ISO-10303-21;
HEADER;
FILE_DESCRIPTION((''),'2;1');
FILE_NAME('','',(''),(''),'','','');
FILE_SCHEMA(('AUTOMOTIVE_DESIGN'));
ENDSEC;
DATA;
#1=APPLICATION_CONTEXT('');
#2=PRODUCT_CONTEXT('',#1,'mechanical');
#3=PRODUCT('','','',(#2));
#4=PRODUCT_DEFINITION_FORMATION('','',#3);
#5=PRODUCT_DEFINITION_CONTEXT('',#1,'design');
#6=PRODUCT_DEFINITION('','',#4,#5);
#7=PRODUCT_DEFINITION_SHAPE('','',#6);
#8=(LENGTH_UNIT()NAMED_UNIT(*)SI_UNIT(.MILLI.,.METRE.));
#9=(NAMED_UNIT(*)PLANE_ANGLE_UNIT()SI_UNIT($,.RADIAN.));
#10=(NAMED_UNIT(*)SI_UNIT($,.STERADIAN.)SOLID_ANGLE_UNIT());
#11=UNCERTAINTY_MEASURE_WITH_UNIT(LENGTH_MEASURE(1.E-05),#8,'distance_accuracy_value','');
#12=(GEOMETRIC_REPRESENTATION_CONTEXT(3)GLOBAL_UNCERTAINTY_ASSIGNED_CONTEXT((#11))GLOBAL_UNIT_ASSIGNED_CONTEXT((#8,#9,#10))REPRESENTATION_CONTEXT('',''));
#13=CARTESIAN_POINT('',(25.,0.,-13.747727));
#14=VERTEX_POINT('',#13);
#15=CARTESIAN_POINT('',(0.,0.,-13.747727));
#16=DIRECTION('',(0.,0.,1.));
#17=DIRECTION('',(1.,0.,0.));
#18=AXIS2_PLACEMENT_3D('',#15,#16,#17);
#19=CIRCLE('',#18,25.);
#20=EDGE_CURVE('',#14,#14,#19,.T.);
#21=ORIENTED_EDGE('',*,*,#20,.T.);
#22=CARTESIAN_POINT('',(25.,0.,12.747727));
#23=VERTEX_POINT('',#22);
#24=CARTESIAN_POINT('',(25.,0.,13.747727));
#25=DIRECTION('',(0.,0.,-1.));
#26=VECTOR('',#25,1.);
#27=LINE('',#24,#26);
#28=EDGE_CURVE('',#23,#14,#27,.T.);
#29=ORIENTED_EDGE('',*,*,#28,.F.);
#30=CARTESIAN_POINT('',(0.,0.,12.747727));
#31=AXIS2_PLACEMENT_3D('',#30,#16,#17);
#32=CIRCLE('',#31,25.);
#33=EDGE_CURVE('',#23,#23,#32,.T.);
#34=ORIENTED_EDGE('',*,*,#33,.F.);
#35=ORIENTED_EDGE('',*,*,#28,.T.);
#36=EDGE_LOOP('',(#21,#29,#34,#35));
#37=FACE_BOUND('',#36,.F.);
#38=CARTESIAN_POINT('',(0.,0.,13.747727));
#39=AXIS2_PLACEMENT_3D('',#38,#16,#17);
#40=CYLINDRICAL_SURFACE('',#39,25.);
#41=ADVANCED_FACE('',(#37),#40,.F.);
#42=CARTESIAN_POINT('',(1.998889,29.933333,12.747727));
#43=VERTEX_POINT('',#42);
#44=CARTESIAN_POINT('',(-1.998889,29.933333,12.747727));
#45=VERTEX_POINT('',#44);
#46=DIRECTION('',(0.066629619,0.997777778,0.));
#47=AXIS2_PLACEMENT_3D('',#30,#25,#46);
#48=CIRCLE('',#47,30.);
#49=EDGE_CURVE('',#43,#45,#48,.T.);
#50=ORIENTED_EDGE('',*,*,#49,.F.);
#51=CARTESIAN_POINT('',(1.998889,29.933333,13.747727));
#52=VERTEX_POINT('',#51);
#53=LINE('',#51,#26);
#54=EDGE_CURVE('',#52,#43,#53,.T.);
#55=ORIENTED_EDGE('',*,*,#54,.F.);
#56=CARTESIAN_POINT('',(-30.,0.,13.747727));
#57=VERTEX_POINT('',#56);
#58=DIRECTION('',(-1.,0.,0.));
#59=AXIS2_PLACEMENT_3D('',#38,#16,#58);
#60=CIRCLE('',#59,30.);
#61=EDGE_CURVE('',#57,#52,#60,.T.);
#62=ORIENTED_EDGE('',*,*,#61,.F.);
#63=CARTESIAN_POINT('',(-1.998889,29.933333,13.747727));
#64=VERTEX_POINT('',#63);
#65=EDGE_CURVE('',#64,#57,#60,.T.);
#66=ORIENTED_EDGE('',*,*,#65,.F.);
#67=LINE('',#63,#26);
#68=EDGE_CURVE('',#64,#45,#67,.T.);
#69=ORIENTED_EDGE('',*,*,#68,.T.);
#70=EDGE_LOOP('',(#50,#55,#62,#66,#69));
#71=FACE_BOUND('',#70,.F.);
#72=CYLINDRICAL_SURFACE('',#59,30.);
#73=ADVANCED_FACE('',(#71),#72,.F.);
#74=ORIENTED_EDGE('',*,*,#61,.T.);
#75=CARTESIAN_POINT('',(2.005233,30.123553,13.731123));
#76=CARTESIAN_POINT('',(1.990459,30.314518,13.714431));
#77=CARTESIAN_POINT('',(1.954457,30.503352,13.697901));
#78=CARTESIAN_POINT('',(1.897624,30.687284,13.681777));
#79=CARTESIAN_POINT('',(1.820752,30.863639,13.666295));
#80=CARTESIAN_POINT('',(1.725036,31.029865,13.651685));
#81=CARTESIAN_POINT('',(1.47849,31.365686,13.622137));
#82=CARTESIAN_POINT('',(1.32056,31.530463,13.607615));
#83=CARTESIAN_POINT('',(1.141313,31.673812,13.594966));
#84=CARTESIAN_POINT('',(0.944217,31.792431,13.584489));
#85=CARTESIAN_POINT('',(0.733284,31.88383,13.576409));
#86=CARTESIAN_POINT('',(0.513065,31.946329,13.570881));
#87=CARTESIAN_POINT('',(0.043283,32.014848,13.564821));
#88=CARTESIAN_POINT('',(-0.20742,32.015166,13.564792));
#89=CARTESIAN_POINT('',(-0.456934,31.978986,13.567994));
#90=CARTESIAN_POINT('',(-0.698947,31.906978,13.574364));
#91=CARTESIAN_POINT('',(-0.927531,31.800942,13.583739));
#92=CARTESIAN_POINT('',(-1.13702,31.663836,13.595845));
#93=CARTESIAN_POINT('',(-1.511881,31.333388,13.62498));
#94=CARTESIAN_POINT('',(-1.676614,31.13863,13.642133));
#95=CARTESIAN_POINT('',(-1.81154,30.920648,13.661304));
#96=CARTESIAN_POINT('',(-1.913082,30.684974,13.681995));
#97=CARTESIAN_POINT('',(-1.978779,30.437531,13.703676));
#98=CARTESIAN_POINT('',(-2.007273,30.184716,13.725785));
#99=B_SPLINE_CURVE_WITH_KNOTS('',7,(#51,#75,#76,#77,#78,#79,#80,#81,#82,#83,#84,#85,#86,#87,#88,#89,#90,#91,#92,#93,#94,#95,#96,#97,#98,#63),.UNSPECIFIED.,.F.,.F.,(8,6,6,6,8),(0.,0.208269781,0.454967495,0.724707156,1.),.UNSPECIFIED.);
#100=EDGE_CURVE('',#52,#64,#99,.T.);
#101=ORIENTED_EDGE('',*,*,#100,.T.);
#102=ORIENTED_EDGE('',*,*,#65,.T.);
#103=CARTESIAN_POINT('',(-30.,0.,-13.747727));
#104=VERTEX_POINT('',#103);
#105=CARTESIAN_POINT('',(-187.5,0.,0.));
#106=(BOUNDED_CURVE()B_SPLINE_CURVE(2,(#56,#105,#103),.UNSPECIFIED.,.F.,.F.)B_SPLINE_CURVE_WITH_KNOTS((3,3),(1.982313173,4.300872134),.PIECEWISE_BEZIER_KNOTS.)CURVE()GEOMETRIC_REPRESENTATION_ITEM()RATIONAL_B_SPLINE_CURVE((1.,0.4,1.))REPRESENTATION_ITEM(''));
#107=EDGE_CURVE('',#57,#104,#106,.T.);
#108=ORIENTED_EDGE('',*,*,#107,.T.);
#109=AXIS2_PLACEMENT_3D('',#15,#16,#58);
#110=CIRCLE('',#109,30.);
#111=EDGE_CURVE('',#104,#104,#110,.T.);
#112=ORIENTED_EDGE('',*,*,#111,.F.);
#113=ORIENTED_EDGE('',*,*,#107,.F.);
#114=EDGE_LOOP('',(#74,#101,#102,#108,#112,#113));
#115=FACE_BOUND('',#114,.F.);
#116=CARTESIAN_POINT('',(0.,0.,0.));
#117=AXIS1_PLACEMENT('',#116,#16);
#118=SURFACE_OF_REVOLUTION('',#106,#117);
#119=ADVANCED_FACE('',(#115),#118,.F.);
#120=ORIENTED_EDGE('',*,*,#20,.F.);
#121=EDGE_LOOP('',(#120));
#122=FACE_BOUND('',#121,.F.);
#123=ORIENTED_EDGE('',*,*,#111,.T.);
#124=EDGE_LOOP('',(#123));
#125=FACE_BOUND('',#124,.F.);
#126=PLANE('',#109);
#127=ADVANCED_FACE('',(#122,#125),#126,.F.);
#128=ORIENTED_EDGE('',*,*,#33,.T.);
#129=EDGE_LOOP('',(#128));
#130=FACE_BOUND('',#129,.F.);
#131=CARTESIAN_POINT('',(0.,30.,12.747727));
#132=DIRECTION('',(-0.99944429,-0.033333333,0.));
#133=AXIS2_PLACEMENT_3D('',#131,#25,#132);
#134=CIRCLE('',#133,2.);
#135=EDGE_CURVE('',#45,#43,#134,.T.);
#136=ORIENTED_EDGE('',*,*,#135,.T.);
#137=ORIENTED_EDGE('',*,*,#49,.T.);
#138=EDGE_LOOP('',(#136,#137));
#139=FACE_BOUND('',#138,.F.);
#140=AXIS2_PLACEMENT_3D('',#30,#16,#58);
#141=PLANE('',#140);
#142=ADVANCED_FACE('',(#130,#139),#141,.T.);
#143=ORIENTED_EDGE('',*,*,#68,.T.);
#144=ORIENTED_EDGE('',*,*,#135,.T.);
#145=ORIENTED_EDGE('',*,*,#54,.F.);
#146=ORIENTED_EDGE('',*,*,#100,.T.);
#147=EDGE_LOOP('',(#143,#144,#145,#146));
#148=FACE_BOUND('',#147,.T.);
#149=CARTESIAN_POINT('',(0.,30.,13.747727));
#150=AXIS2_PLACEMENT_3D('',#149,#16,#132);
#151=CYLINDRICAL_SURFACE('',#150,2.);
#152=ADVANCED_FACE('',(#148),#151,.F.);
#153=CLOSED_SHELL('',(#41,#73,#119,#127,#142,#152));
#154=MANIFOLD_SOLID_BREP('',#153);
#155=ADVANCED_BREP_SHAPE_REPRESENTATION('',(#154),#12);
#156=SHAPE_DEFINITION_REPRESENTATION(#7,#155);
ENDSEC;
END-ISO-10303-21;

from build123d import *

# Parameters (mm, degrees)
F2_R     = 25
F4_DEPTH = 27.4954541697
F5_DEPTH = 1
F7_DEPTH = 1


with BuildPart() as f1:
    # F0 (on Front) → F1 (revolve)
    with BuildSketch(Plane.XZ):
        with BuildLine():
            Line((0, 13.7477270849), (-30, 13.7477270849))
            add(Edge.make_bspline(
                [(-30, 13.7477270849), (-187.5, 0), (-30, -13.7477270849)],
                knots=[1.9823131729, 1.9823131729, 1.9823131729, 4.3008721343, 4.3008721343, 4.3008721343], degree=2, weights=[1, 0.4, 1]))
            Line((-30, -13.7477270849), (0, -13.7477270849))
            Line((0, -13.7477270849), (0, 13.7477270849))
        make_face()
    revolve(axis=Axis((0, 0, 0), (0, 0, 1)))

    # F2 (on face) → F4 (cut, through all)
    with BuildSketch(Plane.XY.offset(13.7477270849)):
        Circle(F2_R)
    extrude(amount=-F4_DEPTH, mode=Mode.SUBTRACT)

    # F5 (cut): a face of the model
    f5_faces = [f1.faces().sort_by_distance(p)[0] for p in [
        (29.1514718626, 0, 13.7477270849),
    ]]
    extrude(f5_faces, amount=-F5_DEPTH, mode=Mode.SUBTRACT)

    # F6 (on 3pt) → F7 (cut)
    with BuildSketch(Plane(origin=(0, 0, 13.7477270849), x_dir=(1, 0, 0), z_dir=(0, 0, -1))):
        with BuildLine():
            ThreePointArc((1.9988885801, -29.9333333333), (0, -30), (-1.9988885801, -29.9333333333))
            ThreePointArc((-1.9988885801, -29.9333333333), (0, -32), (1.9988885801, -29.9333333333))
        make_face()
    extrude(amount=F7_DEPTH, mode=Mode.SUBTRACT)


solid = f1.part
